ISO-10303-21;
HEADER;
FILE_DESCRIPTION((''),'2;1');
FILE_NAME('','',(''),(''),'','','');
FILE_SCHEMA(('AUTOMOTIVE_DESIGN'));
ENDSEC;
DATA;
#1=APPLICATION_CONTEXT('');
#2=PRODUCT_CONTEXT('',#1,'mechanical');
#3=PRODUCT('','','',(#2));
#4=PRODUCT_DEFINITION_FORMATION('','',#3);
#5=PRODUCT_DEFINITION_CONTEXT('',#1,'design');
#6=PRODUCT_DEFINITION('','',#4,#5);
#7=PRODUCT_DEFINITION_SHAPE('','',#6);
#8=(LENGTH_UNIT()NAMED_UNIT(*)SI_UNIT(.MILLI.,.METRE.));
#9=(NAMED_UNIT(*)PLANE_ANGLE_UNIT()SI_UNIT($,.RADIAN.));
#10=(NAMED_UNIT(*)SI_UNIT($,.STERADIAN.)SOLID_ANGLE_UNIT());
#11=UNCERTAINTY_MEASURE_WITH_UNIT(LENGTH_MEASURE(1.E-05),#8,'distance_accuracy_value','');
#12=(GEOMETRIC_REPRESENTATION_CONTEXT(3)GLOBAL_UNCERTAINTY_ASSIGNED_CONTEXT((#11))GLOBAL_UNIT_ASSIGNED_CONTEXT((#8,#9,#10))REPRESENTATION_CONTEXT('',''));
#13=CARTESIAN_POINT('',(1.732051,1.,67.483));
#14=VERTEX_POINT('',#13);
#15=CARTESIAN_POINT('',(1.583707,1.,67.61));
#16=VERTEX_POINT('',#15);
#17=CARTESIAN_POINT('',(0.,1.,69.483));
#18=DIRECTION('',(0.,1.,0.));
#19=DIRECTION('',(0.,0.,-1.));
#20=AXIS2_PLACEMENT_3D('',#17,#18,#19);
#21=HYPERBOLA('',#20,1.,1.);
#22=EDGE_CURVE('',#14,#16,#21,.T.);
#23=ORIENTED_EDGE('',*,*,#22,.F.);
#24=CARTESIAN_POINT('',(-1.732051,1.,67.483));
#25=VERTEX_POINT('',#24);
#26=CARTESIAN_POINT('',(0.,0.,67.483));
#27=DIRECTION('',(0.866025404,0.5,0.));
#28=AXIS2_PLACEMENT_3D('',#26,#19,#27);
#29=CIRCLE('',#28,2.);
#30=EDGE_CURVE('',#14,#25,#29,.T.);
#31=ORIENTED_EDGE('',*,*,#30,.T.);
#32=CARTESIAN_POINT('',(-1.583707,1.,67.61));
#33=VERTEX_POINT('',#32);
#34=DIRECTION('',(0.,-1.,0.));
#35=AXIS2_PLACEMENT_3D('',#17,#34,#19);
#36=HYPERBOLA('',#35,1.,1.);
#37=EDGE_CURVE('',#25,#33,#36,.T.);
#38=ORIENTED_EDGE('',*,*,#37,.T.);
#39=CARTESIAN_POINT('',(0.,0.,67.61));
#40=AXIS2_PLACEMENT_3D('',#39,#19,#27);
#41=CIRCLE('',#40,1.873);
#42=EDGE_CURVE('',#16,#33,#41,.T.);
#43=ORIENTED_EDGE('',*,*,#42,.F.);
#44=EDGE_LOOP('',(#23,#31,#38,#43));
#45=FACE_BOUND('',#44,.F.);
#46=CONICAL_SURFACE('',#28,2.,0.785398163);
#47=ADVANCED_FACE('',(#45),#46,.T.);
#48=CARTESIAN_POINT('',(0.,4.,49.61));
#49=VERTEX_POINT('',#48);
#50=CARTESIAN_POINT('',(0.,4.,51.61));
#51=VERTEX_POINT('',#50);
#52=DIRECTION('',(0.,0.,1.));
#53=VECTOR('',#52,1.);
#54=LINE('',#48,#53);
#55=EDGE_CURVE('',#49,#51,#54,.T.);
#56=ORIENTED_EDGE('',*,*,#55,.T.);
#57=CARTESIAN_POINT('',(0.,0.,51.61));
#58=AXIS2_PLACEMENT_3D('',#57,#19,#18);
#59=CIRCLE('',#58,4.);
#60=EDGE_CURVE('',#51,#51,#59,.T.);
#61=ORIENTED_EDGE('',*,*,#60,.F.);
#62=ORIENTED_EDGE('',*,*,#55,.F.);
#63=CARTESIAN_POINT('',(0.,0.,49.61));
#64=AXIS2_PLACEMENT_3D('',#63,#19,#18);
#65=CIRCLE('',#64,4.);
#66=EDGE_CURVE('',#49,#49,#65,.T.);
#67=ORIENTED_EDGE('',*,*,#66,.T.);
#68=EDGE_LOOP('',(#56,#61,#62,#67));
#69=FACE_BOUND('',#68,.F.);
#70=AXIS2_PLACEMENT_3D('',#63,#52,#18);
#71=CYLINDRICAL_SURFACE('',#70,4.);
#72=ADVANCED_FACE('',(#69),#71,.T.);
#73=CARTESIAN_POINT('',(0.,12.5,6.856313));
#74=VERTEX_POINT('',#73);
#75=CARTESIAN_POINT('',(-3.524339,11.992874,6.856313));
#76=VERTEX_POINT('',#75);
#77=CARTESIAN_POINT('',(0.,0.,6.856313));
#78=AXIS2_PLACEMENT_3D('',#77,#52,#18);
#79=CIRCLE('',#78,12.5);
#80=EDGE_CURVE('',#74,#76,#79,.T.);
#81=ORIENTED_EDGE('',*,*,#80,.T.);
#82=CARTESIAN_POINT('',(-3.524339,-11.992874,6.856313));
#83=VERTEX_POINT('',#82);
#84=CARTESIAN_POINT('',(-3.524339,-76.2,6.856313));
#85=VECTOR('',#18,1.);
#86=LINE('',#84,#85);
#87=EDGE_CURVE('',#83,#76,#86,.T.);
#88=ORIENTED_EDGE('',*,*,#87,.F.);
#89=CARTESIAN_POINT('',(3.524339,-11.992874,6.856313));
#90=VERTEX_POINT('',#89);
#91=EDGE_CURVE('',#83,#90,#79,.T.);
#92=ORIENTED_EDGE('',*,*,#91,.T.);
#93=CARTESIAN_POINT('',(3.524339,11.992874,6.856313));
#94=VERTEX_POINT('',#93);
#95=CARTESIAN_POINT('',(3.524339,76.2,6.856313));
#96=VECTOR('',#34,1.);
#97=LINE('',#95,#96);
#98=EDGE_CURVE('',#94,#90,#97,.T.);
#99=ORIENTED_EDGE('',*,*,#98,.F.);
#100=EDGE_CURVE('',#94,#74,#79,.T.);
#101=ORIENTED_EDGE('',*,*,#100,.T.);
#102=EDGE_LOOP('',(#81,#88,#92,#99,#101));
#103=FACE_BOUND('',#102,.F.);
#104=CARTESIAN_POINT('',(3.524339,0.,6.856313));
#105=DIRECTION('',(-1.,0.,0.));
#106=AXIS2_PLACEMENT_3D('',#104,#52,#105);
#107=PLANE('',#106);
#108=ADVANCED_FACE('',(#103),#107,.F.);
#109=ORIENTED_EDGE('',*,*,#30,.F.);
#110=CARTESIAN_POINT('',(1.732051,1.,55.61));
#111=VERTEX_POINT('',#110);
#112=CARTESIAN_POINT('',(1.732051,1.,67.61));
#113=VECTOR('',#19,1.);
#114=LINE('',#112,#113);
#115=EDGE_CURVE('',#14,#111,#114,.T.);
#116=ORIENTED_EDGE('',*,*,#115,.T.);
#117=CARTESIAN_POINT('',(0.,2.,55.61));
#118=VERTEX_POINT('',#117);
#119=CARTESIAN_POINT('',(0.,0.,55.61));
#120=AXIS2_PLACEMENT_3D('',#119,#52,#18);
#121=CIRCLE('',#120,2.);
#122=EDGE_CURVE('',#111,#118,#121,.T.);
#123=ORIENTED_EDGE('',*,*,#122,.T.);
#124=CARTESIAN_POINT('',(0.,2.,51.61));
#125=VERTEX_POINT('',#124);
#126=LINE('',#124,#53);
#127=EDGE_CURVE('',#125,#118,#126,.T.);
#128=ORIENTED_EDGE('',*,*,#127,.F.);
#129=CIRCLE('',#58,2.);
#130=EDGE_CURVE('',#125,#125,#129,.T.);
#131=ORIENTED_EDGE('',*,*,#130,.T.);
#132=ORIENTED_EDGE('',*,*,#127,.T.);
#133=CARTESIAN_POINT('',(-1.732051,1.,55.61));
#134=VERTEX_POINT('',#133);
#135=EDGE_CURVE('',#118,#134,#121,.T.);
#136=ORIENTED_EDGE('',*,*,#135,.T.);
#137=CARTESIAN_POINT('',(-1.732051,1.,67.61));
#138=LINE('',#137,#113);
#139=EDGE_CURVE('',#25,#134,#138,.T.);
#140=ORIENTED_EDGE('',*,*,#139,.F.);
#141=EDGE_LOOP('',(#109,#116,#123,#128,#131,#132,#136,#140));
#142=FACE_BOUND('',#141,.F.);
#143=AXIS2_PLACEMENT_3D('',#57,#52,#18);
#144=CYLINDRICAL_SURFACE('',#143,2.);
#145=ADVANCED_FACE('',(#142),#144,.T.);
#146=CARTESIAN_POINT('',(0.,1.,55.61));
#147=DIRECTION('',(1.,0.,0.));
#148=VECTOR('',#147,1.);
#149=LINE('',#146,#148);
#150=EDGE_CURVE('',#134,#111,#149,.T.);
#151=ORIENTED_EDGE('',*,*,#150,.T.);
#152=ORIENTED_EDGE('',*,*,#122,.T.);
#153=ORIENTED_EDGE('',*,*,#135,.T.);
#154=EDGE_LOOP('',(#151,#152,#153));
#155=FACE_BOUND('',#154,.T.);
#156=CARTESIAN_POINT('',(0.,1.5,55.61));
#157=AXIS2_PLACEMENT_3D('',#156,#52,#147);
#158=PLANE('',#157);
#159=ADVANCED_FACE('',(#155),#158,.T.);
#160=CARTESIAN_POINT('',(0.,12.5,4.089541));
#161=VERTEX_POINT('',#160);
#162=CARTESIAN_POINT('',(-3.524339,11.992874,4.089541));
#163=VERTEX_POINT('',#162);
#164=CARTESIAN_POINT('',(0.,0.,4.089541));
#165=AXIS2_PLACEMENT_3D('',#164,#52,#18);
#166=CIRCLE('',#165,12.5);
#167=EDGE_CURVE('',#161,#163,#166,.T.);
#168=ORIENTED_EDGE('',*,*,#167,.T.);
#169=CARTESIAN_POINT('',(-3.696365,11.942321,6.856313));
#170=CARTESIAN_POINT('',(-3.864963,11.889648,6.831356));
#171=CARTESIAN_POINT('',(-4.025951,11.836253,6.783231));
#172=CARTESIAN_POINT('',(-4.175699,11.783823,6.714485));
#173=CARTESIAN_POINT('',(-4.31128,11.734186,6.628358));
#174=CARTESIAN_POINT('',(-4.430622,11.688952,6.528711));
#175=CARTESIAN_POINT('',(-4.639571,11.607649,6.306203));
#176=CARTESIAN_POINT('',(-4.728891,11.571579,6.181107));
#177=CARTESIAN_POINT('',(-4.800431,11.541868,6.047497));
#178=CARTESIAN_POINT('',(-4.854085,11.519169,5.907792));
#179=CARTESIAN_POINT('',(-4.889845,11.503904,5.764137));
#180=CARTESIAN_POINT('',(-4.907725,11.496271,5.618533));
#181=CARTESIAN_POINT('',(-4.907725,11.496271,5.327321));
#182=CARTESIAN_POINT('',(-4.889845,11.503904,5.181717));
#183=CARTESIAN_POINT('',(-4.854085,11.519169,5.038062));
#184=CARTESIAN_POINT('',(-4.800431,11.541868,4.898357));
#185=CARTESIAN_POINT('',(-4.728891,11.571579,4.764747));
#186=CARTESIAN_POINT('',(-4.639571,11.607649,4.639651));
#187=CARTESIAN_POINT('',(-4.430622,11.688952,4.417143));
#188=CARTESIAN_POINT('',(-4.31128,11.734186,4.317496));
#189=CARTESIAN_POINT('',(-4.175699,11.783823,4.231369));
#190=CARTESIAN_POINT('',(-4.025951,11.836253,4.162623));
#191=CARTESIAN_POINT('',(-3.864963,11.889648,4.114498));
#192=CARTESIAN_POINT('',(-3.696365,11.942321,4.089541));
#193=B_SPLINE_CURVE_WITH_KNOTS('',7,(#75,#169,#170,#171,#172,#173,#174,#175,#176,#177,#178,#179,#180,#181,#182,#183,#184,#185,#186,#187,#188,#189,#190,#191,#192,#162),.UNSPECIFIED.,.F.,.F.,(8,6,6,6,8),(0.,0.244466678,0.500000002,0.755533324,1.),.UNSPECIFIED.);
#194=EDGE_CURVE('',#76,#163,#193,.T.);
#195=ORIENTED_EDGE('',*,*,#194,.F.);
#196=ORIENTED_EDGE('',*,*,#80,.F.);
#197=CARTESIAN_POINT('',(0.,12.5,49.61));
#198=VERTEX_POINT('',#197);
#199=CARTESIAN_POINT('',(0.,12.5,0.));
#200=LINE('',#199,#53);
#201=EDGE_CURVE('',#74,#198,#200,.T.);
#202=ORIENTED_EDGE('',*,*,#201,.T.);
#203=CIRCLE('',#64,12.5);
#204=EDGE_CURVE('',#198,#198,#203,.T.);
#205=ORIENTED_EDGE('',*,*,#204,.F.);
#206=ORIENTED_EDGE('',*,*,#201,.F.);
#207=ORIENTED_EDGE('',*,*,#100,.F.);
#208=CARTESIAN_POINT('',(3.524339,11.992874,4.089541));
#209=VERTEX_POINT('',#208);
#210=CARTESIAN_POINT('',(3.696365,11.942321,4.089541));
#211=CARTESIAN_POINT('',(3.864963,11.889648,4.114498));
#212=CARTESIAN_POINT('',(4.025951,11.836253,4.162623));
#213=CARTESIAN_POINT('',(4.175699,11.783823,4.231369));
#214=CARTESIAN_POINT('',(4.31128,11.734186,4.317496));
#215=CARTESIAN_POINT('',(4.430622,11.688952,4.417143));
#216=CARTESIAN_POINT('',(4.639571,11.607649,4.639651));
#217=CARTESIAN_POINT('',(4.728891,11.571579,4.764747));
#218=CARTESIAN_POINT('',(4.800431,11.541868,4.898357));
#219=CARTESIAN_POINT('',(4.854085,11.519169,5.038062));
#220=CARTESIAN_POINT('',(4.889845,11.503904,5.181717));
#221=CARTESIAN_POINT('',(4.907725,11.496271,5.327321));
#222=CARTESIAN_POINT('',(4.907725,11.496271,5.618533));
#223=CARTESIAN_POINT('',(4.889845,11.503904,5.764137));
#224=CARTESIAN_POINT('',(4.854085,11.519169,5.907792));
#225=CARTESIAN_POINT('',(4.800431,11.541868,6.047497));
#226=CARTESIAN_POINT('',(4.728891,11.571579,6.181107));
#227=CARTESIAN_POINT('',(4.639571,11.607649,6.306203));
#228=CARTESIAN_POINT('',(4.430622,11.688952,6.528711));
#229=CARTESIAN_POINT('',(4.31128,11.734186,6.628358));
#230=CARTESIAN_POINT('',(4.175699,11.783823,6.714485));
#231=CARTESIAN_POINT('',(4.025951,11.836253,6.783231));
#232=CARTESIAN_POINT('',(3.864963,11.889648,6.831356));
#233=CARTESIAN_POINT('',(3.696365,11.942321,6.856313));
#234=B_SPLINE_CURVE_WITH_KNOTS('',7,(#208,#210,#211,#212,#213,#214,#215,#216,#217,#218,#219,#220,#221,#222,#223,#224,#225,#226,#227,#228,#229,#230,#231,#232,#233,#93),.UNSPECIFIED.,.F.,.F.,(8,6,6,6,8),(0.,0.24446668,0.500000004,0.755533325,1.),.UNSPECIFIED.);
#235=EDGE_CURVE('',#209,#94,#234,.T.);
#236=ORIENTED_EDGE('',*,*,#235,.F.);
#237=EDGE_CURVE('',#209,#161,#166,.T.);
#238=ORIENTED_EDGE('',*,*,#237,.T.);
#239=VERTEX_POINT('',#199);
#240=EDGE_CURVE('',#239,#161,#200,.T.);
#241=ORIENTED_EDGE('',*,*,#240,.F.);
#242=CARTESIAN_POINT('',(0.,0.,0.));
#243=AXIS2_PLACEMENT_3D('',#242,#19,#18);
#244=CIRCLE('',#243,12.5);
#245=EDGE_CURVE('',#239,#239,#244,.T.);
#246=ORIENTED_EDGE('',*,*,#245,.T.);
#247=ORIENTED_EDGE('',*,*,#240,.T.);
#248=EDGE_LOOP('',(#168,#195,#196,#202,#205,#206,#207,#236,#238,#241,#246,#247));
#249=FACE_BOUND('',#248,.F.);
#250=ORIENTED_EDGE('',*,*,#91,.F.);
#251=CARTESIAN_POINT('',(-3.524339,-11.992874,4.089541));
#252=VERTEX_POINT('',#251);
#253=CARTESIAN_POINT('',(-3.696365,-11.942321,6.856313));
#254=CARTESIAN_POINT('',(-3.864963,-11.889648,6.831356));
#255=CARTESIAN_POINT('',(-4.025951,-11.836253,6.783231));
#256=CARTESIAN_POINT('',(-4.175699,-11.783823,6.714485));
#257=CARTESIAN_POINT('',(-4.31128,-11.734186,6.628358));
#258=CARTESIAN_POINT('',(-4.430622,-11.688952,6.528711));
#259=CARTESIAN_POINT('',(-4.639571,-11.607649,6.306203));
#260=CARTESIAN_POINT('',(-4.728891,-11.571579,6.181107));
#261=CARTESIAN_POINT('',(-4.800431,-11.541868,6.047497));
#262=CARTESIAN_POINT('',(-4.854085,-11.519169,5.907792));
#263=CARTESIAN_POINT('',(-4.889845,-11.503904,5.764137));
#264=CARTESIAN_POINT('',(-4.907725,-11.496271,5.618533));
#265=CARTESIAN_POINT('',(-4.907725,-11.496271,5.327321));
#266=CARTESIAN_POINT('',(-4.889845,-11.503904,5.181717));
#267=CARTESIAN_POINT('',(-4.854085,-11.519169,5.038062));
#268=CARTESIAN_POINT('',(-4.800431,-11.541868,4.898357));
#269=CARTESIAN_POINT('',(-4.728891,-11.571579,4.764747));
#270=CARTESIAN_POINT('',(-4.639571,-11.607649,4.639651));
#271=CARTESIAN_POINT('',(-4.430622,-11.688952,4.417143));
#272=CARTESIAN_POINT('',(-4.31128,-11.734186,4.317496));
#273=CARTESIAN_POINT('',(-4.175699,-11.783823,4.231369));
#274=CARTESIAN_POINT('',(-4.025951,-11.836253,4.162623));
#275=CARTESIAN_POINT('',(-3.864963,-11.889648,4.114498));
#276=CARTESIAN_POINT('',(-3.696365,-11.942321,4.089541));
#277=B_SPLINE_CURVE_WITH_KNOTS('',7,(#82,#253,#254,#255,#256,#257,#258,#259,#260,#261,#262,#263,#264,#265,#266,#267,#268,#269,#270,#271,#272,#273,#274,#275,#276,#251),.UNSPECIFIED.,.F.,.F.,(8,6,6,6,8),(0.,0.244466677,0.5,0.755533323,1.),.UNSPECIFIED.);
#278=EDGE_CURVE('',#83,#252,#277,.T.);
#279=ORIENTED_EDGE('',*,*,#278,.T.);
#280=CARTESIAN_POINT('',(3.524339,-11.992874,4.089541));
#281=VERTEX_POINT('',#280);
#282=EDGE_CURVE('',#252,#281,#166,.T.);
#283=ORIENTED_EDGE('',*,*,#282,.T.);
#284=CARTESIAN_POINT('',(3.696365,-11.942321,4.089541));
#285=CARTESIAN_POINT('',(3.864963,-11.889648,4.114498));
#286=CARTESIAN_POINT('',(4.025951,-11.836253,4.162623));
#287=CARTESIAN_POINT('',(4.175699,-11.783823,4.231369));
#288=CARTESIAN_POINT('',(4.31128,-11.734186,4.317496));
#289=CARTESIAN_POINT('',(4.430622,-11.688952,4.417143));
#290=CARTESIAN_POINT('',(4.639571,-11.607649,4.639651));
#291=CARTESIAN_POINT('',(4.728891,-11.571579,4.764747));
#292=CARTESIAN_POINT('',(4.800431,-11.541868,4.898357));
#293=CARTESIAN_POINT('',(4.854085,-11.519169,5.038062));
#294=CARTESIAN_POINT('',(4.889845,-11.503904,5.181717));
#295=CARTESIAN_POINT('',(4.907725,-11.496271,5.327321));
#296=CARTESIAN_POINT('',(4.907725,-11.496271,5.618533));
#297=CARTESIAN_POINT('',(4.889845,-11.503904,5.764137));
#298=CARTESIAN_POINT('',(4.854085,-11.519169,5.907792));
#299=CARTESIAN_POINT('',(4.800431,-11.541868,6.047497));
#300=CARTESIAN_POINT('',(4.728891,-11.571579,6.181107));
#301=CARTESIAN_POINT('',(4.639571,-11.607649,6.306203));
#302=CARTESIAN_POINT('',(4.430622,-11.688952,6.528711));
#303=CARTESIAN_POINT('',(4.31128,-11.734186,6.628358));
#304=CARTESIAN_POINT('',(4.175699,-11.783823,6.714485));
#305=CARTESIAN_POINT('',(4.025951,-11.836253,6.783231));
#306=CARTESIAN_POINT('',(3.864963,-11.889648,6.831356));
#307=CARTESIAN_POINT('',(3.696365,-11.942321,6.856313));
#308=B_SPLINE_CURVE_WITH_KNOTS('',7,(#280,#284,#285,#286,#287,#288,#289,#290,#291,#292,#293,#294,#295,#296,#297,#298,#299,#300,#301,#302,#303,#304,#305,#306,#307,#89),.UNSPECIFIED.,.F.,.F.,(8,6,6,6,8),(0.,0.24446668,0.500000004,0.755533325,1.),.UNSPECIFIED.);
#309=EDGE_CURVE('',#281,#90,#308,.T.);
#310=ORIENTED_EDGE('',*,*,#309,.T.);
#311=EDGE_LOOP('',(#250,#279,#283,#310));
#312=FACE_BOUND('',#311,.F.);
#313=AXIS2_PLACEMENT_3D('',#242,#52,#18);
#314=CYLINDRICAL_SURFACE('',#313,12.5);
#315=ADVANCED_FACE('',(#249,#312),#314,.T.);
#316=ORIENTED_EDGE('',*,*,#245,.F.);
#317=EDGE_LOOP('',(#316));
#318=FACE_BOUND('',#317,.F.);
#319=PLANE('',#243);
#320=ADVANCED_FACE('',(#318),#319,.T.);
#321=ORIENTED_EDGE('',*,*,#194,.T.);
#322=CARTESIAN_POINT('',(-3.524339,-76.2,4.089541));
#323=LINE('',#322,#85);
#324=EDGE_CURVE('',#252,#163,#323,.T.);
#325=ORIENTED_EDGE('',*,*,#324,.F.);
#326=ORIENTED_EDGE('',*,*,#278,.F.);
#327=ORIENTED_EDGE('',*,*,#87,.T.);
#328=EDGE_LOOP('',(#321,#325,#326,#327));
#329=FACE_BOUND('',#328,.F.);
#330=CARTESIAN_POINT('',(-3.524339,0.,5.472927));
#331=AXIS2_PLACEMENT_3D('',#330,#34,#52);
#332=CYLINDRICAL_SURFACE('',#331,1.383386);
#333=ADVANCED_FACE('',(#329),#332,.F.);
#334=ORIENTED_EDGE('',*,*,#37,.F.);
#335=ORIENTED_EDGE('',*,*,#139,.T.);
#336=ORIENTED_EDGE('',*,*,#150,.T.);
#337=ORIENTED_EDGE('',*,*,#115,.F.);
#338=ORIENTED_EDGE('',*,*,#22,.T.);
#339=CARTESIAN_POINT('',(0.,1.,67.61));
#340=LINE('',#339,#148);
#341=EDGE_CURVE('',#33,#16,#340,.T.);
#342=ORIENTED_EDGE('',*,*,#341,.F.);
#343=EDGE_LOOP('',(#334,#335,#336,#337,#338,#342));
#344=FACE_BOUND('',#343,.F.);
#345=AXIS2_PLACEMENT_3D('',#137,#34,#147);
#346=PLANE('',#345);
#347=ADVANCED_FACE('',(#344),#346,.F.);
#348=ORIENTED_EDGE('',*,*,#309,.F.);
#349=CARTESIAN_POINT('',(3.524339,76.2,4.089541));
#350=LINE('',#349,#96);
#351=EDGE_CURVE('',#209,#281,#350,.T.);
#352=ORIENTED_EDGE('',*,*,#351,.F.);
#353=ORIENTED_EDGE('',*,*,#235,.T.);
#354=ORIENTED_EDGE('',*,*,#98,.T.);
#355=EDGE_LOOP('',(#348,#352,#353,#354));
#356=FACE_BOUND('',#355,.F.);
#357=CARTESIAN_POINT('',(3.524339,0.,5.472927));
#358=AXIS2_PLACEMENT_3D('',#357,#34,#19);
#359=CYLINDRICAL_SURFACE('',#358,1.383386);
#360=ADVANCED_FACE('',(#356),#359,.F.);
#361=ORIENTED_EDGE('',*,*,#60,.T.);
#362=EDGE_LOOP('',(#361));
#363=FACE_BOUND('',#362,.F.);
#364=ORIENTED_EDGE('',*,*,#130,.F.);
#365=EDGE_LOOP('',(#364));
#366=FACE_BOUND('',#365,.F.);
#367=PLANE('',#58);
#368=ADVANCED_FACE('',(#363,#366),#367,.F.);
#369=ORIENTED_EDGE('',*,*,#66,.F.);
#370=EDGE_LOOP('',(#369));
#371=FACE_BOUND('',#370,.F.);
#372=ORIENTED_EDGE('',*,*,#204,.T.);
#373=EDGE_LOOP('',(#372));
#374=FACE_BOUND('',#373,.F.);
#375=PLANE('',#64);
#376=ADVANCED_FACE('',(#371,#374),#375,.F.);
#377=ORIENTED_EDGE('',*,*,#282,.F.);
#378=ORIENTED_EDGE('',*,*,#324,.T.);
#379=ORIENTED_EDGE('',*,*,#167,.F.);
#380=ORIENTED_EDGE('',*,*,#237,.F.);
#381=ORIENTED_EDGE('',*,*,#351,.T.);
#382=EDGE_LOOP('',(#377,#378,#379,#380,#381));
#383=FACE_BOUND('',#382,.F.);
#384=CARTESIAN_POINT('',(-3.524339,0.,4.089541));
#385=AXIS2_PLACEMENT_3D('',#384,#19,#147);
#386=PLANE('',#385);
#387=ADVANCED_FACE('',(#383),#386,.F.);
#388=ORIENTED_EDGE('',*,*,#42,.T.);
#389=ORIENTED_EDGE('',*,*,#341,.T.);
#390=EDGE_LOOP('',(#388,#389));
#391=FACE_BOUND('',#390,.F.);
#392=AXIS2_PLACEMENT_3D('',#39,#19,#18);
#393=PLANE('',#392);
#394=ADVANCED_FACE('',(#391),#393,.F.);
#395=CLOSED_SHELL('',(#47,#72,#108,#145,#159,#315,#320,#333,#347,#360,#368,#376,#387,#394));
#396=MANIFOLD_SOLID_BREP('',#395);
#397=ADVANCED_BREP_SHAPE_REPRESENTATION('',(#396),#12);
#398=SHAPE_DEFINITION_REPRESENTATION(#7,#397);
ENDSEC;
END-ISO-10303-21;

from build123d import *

# Parameters (mm, degrees)
F2_W     = 3.4641016151
F2_H     = 1
F3_DEPTH = 12
F4_SIZE  = 0.127
F6_DEPTH = 76.2


with BuildPart() as f1:
    # F0 (on Right) → F1 (revolve)
    with BuildSketch(Plane.YZ):
        Polygon((0, 67.61), (0, 0), (12.5, 0), (12.5, 49.61), (4, 49.61), (4, 51.61), (2, 51.61), (2, 67.61), align=None)
    revolve(axis=Axis((0, 0, 33.805), (0, 0, -1)))

    # F2 (on face) → F3 (cut)
    with BuildSketch(Plane.XY.offset(67.61)):
        with Locations((0, 1.5)):
            Rectangle(F2_W, F2_H)
    extrude(amount=-F3_DEPTH, mode=Mode.SUBTRACT)

    # F4
    f4_edges = [f1.edges().sort_by_distance(p)[0] for p in [
        (0, -2, 67.61),
    ]]
    chamfer(f4_edges, length=F4_SIZE)

    # F5 (on Front) → F6 (cut, symmetric)
    with BuildSketch(Plane.XZ):
        with BuildLine():
            ThreePointArc((-2.1409534384, 5.472927049), (-2.5461377058, 6.4511284027), (-3.5243390594, 6.8563126701))
            Line((-3.5243390594, 6.8563126701), (-3.5243390594, 4.089541428))
            ThreePointArc((-3.5243390594, 4.089541428), (-2.5461377058, 4.4947256954), (-2.1409534384, 5.472927049))
        make_face()
        with BuildLine():
            Line((3.5243390594, 6.8563126701), (-3.5243390594, 6.8563126701))
            ThreePointArc((-3.5243390594, 6.8563126701), (-2.5461377058, 6.4511284027), (-2.1409534384, 5.472927049))
            ThreePointArc((-2.1409534384, 5.472927049), (-2.5461377058, 4.4947256954), (-3.5243390594, 4.089541428))
            Line((-3.5243390594, 4.089541428), (3.5243390594, 4.089541428))
            ThreePointArc((3.5243390594, 4.089541428), (2.1409534384, 5.472927049), (3.5243390594, 6.8563126701))
        make_face()
        with BuildLine():
            Line((-3.5243390594, 4.089541428), (-3.5243390594, 6.8563126701))
            ThreePointArc((-3.5243390594, 6.8563126701), (-4.9077246804, 5.472927049), (-3.5243390594, 4.089541428))
        make_face()
        with BuildLine():
            ThreePointArc((4.9077246804, 5.472927049), (4.502540413, 6.4511284027), (3.5243390594, 6.8563126701))
            Line((3.5243390594, 6.8563126701), (3.5243390594, 4.089541428))
            ThreePointArc((3.5243390594, 4.089541428), (4.502540413, 4.4947256954), (4.9077246804, 5.472927049))
        make_face()
        with BuildLine():
            Line((3.5243390594, 4.089541428), (3.5243390594, 6.8563126701))
            ThreePointArc((3.5243390594, 6.8563126701), (2.1409534384, 5.472927049), (3.5243390594, 4.089541428))
        make_face()
    extrude(amount=F6_DEPTH, both=True, mode=Mode.SUBTRACT)


solid = f1.part
